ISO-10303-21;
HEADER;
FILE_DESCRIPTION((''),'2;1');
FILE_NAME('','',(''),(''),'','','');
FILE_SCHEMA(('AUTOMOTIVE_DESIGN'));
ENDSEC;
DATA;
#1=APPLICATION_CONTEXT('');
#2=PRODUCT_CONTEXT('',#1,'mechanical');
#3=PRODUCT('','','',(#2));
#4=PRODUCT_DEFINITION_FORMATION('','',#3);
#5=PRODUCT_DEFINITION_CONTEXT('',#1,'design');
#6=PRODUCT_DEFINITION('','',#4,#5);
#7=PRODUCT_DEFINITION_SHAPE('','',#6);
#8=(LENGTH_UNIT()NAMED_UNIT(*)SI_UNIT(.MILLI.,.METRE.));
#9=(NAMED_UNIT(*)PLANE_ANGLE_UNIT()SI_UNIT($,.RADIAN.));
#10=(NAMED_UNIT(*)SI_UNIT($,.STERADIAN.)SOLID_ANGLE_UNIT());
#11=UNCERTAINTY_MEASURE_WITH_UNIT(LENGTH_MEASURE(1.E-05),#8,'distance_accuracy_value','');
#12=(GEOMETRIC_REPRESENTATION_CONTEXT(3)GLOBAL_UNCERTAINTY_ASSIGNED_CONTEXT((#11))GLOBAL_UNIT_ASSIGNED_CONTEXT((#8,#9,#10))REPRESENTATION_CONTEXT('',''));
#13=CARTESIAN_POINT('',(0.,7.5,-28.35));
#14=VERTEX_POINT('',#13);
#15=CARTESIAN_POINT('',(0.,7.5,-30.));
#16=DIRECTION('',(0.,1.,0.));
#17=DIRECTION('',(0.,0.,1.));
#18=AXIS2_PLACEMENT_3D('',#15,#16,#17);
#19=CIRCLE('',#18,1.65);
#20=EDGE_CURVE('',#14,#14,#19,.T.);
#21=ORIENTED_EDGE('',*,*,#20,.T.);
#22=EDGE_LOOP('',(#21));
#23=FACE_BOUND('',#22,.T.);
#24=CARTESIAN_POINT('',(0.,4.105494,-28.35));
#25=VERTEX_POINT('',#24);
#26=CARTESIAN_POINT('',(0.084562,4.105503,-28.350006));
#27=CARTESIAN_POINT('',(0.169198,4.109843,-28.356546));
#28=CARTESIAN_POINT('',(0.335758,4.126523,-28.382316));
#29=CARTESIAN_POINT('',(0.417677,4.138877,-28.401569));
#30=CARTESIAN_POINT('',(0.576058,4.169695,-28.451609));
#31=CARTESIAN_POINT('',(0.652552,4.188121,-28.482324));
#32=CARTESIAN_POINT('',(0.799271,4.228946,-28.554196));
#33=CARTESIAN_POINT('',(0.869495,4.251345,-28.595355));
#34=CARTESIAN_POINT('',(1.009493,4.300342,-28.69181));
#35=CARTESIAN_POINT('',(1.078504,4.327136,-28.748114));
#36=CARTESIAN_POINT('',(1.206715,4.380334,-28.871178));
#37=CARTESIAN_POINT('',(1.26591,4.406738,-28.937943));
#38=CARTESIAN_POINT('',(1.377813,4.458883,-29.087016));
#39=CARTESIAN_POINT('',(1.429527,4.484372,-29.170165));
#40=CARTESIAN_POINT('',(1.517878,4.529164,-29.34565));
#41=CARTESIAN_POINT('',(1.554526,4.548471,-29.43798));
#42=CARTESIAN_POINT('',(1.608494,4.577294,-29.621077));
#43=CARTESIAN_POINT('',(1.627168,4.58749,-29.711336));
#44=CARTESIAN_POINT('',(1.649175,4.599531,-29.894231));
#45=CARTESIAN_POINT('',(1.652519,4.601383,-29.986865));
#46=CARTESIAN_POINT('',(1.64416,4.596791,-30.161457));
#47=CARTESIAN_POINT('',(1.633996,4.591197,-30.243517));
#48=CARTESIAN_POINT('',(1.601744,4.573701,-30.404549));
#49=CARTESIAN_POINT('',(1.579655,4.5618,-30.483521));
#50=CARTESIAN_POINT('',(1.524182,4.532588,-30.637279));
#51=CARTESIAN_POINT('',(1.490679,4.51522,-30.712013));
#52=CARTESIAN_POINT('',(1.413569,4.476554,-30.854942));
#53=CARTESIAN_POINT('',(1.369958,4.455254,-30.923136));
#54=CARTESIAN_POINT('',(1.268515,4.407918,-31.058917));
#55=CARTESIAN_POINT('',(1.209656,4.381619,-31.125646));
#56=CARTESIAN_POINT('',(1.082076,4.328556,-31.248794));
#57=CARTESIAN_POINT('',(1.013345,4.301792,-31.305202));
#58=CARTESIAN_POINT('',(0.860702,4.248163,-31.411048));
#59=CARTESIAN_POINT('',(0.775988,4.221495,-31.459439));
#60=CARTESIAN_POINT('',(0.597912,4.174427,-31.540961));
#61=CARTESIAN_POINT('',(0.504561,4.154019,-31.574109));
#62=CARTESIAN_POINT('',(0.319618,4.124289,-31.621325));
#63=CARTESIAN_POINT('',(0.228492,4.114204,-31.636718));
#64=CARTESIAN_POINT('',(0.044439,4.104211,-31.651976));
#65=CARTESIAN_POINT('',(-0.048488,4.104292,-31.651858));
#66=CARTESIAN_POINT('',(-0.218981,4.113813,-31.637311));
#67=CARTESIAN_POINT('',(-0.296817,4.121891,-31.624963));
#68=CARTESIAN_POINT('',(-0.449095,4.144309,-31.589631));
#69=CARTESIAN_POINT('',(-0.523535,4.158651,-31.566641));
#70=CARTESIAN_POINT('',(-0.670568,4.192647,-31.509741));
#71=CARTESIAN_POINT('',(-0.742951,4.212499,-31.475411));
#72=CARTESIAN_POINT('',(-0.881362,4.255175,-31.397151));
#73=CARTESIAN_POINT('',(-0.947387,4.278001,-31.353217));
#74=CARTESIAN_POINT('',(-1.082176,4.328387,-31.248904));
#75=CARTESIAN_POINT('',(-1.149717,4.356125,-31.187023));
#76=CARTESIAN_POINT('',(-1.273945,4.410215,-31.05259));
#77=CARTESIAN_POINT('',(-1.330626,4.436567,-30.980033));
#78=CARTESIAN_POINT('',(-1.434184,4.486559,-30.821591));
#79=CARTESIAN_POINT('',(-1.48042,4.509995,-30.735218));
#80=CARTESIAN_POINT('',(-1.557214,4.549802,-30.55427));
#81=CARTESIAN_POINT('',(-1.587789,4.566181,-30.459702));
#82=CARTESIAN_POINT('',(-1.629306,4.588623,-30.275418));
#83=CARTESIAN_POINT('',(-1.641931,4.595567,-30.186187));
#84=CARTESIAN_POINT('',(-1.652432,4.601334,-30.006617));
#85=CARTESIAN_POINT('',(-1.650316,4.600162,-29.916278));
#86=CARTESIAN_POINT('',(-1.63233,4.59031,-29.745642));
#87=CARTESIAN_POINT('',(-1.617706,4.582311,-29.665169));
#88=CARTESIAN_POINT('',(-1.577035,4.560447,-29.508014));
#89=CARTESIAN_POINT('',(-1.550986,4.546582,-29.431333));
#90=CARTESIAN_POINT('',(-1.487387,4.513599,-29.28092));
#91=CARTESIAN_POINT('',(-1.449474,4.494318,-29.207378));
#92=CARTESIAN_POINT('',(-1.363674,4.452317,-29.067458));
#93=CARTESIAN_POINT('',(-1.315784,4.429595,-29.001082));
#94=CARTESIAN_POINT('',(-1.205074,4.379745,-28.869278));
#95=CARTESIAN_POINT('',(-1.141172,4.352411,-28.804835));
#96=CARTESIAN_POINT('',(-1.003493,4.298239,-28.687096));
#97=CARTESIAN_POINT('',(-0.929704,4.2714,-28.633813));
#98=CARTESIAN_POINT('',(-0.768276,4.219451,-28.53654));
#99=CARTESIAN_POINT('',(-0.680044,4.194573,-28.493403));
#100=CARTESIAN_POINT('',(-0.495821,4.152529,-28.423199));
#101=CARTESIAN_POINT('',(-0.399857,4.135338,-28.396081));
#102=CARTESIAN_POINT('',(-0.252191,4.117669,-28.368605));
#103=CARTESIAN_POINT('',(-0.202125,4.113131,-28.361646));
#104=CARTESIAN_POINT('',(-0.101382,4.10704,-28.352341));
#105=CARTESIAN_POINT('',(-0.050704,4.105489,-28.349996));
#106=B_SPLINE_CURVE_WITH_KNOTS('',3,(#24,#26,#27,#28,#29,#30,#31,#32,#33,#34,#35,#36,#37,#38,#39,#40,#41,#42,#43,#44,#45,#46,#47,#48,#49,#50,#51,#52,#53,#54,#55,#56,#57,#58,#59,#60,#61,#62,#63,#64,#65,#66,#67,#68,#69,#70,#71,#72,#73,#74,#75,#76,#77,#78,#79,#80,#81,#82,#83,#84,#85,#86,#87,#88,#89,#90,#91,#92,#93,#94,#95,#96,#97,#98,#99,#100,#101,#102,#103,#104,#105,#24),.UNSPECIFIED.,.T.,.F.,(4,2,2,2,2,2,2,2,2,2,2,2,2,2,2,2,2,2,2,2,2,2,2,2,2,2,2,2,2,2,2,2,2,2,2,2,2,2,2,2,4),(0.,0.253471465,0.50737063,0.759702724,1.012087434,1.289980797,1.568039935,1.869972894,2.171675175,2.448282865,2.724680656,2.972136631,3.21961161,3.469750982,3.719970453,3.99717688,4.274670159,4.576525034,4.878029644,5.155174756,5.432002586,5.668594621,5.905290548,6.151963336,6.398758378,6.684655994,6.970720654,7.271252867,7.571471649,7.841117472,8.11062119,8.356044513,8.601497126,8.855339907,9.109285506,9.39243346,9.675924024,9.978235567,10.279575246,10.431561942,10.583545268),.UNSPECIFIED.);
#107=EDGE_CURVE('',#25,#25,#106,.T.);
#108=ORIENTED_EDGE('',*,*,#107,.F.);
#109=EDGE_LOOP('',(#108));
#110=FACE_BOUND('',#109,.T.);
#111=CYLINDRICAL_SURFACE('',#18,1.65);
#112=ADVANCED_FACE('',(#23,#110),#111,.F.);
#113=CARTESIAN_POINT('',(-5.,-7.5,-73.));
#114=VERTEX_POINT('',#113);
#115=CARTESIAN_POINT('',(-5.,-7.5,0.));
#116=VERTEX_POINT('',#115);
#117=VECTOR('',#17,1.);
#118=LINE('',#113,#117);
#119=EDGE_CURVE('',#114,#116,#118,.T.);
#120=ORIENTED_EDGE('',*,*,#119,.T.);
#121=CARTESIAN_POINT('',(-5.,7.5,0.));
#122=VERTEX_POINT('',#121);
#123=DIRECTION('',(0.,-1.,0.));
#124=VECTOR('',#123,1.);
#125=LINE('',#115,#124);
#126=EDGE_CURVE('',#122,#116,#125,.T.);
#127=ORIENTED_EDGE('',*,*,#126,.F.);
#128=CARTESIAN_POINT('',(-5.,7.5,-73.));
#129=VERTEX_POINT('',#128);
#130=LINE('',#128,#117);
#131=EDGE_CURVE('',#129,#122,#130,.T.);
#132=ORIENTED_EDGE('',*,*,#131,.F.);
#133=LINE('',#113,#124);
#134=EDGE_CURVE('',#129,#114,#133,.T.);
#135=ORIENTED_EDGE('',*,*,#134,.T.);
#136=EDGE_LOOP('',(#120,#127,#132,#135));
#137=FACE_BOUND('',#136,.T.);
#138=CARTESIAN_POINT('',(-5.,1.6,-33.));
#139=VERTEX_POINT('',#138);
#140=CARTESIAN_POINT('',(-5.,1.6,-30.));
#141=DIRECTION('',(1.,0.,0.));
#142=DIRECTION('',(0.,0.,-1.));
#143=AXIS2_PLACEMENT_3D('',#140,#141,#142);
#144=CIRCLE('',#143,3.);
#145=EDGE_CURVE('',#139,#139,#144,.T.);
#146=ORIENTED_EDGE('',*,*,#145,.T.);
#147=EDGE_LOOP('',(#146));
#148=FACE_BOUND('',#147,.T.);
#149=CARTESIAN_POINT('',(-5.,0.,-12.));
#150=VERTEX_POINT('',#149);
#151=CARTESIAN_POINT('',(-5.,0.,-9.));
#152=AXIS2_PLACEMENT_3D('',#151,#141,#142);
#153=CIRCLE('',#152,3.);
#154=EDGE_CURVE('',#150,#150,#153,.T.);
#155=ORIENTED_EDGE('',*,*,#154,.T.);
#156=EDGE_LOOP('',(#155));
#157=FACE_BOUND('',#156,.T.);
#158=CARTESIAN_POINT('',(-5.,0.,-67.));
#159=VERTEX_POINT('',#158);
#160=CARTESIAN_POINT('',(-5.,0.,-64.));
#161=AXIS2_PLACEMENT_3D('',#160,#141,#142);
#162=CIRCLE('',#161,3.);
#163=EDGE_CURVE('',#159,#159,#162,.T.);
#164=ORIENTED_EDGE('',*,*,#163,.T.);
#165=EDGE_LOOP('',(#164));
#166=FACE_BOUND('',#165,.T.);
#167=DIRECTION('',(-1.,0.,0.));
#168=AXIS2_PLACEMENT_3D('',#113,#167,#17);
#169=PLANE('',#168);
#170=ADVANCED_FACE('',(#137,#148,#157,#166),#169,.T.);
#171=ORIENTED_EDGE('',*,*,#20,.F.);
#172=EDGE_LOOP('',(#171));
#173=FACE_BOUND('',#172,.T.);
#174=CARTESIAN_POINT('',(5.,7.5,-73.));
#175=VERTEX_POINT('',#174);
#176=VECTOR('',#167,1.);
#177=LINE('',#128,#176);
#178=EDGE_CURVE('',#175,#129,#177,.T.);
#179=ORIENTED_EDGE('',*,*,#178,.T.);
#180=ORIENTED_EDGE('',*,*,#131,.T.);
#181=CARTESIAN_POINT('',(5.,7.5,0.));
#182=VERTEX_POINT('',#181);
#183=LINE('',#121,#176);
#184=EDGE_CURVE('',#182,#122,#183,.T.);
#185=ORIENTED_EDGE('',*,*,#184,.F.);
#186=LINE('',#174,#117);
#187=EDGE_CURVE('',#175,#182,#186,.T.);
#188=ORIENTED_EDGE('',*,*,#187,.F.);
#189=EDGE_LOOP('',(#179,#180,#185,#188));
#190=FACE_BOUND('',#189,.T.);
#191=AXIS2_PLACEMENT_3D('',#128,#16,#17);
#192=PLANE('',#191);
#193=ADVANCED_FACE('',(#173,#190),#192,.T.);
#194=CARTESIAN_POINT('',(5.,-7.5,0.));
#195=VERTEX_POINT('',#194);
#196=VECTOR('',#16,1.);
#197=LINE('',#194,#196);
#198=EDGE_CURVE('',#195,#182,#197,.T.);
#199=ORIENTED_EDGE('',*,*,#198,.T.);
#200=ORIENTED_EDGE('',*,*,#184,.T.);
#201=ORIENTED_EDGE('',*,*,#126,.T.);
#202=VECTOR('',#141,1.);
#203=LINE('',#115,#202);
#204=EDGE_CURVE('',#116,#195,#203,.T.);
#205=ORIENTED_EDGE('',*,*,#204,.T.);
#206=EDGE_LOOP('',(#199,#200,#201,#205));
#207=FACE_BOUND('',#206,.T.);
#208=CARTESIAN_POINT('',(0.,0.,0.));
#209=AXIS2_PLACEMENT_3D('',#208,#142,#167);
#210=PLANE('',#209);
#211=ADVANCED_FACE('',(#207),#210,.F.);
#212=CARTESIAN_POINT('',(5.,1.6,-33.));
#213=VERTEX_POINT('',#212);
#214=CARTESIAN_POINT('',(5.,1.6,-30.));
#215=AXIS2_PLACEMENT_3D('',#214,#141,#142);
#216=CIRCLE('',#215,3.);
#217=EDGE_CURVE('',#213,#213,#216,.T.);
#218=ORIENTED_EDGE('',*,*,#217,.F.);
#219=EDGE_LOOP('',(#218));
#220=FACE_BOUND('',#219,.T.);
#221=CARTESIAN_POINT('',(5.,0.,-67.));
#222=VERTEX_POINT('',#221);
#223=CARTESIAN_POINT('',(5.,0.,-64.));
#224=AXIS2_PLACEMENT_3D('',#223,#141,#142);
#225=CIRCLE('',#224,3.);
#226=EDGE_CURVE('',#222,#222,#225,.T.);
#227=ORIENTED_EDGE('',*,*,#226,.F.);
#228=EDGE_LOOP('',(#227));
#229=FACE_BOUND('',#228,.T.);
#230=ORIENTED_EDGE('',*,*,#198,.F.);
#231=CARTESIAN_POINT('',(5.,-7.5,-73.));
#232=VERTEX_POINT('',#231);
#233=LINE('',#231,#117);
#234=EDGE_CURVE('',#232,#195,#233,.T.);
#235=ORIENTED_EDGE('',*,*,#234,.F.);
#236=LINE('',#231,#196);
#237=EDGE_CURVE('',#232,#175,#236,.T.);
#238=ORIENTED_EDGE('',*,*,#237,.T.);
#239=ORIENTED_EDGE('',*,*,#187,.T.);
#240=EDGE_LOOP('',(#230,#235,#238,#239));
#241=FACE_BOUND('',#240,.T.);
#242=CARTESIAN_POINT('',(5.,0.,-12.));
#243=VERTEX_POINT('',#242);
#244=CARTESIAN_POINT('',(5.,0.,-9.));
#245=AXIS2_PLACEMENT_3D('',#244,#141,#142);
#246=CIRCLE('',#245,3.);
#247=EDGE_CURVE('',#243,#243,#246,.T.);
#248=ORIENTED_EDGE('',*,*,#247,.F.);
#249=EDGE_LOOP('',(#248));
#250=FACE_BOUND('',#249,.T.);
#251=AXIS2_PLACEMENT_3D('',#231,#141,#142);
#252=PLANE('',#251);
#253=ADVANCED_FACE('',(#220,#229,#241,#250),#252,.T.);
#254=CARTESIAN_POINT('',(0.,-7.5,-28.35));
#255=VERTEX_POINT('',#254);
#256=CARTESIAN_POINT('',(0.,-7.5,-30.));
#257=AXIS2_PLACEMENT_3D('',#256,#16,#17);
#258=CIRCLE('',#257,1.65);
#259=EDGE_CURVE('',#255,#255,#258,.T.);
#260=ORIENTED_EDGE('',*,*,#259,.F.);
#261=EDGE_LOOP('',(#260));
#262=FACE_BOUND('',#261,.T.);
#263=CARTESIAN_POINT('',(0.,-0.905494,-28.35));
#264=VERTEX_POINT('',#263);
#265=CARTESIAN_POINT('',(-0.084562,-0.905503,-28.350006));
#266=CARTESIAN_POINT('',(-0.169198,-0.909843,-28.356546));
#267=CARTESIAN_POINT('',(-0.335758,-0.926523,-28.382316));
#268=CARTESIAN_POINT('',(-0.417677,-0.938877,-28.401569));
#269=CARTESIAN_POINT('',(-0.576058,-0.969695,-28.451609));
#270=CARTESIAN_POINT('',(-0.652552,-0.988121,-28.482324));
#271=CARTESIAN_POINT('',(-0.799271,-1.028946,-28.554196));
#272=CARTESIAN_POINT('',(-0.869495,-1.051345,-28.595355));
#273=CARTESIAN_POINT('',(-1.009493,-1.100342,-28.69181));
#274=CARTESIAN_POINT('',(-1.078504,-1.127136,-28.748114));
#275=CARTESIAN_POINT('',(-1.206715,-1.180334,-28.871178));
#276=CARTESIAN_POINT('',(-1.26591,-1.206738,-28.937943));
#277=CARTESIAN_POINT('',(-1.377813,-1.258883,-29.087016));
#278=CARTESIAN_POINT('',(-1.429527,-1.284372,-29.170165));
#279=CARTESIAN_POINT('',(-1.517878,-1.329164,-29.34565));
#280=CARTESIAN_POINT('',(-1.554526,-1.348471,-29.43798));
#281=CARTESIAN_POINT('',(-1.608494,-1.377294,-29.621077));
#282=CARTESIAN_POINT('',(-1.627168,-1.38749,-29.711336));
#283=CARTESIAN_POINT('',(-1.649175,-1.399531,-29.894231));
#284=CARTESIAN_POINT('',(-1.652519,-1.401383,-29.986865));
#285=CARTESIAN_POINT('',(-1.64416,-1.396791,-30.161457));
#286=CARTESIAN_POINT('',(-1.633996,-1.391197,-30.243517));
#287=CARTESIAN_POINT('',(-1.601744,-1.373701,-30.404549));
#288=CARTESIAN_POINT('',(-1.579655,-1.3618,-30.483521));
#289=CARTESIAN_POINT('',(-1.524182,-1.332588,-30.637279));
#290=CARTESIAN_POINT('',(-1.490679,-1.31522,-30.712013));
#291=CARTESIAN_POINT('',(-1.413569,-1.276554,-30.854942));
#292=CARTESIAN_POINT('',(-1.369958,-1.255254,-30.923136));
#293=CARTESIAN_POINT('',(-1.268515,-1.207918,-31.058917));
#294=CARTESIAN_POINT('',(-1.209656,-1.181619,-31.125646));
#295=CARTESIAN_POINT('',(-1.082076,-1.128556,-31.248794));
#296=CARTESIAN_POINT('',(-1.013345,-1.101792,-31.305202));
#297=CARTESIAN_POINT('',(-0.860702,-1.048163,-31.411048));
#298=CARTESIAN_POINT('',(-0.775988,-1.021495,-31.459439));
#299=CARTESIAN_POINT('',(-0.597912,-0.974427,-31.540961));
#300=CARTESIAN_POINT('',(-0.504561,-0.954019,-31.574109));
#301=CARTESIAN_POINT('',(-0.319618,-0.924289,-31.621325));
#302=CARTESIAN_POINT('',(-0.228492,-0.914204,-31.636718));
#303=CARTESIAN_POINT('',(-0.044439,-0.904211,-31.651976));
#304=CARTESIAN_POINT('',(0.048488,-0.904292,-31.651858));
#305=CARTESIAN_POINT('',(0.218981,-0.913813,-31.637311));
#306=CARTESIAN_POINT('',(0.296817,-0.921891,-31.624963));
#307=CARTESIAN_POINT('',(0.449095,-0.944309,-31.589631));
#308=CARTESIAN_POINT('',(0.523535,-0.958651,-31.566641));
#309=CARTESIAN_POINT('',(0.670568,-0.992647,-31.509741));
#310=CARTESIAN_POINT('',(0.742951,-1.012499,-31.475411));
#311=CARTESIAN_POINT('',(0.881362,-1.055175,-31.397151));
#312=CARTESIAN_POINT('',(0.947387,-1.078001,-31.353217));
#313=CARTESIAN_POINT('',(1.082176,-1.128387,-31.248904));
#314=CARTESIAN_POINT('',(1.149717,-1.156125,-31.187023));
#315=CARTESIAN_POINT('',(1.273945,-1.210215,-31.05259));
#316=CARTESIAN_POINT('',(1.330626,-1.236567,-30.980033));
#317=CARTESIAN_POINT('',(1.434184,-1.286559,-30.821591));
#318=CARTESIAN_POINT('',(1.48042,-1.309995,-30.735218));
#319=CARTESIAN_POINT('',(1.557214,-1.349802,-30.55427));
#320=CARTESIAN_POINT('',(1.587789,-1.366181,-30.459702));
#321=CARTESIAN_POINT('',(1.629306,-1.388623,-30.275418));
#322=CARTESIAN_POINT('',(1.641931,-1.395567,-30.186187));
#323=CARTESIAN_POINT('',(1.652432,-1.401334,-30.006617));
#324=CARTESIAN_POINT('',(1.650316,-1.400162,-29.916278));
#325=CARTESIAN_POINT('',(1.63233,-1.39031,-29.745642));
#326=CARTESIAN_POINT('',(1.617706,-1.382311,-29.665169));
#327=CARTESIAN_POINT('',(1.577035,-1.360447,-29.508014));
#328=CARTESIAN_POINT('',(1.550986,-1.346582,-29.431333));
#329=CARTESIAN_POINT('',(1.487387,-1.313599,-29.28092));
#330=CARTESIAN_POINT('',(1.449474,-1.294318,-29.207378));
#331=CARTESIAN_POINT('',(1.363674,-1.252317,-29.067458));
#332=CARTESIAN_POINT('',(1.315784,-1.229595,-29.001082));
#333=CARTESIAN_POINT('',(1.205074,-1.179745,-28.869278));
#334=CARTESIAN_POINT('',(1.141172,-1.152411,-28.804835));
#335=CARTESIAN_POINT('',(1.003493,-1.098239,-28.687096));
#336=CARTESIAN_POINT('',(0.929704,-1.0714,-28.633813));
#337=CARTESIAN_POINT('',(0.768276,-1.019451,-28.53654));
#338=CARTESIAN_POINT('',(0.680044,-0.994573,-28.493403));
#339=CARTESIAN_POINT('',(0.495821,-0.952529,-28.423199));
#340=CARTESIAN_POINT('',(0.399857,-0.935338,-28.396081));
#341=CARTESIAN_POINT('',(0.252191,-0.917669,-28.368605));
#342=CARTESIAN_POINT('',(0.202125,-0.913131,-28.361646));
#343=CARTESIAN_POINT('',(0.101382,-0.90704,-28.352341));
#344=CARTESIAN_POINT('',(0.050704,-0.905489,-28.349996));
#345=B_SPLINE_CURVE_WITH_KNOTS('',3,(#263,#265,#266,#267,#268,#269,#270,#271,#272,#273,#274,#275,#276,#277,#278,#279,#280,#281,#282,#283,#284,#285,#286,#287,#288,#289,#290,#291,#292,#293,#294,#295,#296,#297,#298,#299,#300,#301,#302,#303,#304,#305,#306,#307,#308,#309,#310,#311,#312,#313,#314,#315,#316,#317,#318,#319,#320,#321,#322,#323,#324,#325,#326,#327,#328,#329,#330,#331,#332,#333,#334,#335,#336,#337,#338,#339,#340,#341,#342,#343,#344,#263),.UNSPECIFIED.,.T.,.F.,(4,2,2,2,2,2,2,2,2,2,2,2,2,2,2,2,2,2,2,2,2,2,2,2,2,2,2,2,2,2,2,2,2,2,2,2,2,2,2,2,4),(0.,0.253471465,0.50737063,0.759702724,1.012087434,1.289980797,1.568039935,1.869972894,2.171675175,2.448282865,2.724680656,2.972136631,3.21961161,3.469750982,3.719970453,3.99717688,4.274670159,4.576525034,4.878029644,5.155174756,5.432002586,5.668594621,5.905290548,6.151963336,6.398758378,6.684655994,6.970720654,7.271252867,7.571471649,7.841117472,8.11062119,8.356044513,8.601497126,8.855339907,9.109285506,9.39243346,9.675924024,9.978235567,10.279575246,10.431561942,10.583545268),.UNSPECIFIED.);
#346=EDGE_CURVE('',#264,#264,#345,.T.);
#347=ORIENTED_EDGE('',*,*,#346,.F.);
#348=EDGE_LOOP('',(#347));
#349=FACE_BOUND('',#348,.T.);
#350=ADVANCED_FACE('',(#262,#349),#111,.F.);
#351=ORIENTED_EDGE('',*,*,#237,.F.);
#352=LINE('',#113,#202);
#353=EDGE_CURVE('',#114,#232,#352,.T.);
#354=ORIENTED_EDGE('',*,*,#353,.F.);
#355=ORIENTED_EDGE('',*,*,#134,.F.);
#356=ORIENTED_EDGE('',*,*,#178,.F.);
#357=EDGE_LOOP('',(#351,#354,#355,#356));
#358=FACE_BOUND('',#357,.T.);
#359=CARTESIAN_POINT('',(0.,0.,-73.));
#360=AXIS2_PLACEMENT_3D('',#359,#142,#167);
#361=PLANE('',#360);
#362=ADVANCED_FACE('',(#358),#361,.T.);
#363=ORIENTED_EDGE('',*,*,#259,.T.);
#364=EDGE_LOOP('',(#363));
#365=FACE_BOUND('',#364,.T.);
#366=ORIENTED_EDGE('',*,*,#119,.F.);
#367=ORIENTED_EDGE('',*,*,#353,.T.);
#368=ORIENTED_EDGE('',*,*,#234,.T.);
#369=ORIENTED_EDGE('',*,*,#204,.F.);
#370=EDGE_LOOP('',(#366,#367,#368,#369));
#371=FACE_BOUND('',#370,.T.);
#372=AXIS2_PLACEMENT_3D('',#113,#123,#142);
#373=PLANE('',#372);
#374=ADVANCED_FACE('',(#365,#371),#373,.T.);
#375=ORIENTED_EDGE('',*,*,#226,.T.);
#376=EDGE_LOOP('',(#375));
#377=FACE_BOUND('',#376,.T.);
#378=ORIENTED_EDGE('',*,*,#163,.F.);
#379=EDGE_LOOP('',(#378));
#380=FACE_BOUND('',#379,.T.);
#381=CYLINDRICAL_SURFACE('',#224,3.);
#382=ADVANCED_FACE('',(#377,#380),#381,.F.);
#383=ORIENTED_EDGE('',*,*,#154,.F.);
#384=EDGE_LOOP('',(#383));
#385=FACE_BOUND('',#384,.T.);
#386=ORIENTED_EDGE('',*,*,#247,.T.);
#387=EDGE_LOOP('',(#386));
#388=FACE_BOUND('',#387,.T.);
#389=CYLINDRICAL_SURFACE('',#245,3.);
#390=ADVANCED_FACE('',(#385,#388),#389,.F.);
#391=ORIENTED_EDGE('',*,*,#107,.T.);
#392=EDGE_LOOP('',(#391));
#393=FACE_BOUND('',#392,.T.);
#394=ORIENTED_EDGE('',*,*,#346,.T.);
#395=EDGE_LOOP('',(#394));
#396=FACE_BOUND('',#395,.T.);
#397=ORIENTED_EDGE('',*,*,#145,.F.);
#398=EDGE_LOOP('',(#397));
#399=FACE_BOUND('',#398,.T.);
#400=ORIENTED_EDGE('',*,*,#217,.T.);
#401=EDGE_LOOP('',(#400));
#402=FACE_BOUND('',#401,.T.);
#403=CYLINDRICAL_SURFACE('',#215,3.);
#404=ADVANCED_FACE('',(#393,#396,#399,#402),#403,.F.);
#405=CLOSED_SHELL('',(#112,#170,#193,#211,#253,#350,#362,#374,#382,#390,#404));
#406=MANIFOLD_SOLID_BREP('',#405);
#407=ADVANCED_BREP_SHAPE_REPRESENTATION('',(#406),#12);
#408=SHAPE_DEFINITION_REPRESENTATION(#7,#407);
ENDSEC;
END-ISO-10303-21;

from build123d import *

# Parameters (mm, degrees)
SKETCH1_W                = 10
SKETCH1_H                = 15
BOSS_EXTRUDE1_DEPTH      = 73
F_6_0_6_DIAMETER_HOLE1_D = 6
F_6_0_6_DIAMETER_HOLE2_D = 6
M4X0_7_TAPPED_HOLE1_D    = 3.3


with BuildPart() as part:
    # Sketch1 → Boss-Extrude1 (new body)
    with BuildSketch(Plane.XY):
        Rectangle(SKETCH1_W, SKETCH1_H)
    extrude(amount=-BOSS_EXTRUDE1_DEPTH)

    # Ø6.0 (6) Diameter Hole1 (through all)
    with Locations(Plane(origin=(5, 0, 0), x_dir=(0, 0, -1), z_dir=(1, 0, 0))):
        with Locations((9, 0), (64, 0)):
            Hole(F_6_0_6_DIAMETER_HOLE1_D / 2)

    # Ø6.0 (6) Diameter Hole2 (through all)
    with Locations(Plane(origin=(5, 0, 0), x_dir=(0, 0, -1), z_dir=(1, 0, 0))):
        with Locations((30, 1.6)):
            Hole(F_6_0_6_DIAMETER_HOLE2_D / 2)

    # M4x0.7 Tapped Hole1 (through all)
    with Locations(Plane(origin=(0, 7.5, 0), x_dir=(1, 0, 0), z_dir=(0, 1, 0))):
        with Locations((0, 30)):
            Hole(M4X0_7_TAPPED_HOLE1_D / 2)


solid = part.part
